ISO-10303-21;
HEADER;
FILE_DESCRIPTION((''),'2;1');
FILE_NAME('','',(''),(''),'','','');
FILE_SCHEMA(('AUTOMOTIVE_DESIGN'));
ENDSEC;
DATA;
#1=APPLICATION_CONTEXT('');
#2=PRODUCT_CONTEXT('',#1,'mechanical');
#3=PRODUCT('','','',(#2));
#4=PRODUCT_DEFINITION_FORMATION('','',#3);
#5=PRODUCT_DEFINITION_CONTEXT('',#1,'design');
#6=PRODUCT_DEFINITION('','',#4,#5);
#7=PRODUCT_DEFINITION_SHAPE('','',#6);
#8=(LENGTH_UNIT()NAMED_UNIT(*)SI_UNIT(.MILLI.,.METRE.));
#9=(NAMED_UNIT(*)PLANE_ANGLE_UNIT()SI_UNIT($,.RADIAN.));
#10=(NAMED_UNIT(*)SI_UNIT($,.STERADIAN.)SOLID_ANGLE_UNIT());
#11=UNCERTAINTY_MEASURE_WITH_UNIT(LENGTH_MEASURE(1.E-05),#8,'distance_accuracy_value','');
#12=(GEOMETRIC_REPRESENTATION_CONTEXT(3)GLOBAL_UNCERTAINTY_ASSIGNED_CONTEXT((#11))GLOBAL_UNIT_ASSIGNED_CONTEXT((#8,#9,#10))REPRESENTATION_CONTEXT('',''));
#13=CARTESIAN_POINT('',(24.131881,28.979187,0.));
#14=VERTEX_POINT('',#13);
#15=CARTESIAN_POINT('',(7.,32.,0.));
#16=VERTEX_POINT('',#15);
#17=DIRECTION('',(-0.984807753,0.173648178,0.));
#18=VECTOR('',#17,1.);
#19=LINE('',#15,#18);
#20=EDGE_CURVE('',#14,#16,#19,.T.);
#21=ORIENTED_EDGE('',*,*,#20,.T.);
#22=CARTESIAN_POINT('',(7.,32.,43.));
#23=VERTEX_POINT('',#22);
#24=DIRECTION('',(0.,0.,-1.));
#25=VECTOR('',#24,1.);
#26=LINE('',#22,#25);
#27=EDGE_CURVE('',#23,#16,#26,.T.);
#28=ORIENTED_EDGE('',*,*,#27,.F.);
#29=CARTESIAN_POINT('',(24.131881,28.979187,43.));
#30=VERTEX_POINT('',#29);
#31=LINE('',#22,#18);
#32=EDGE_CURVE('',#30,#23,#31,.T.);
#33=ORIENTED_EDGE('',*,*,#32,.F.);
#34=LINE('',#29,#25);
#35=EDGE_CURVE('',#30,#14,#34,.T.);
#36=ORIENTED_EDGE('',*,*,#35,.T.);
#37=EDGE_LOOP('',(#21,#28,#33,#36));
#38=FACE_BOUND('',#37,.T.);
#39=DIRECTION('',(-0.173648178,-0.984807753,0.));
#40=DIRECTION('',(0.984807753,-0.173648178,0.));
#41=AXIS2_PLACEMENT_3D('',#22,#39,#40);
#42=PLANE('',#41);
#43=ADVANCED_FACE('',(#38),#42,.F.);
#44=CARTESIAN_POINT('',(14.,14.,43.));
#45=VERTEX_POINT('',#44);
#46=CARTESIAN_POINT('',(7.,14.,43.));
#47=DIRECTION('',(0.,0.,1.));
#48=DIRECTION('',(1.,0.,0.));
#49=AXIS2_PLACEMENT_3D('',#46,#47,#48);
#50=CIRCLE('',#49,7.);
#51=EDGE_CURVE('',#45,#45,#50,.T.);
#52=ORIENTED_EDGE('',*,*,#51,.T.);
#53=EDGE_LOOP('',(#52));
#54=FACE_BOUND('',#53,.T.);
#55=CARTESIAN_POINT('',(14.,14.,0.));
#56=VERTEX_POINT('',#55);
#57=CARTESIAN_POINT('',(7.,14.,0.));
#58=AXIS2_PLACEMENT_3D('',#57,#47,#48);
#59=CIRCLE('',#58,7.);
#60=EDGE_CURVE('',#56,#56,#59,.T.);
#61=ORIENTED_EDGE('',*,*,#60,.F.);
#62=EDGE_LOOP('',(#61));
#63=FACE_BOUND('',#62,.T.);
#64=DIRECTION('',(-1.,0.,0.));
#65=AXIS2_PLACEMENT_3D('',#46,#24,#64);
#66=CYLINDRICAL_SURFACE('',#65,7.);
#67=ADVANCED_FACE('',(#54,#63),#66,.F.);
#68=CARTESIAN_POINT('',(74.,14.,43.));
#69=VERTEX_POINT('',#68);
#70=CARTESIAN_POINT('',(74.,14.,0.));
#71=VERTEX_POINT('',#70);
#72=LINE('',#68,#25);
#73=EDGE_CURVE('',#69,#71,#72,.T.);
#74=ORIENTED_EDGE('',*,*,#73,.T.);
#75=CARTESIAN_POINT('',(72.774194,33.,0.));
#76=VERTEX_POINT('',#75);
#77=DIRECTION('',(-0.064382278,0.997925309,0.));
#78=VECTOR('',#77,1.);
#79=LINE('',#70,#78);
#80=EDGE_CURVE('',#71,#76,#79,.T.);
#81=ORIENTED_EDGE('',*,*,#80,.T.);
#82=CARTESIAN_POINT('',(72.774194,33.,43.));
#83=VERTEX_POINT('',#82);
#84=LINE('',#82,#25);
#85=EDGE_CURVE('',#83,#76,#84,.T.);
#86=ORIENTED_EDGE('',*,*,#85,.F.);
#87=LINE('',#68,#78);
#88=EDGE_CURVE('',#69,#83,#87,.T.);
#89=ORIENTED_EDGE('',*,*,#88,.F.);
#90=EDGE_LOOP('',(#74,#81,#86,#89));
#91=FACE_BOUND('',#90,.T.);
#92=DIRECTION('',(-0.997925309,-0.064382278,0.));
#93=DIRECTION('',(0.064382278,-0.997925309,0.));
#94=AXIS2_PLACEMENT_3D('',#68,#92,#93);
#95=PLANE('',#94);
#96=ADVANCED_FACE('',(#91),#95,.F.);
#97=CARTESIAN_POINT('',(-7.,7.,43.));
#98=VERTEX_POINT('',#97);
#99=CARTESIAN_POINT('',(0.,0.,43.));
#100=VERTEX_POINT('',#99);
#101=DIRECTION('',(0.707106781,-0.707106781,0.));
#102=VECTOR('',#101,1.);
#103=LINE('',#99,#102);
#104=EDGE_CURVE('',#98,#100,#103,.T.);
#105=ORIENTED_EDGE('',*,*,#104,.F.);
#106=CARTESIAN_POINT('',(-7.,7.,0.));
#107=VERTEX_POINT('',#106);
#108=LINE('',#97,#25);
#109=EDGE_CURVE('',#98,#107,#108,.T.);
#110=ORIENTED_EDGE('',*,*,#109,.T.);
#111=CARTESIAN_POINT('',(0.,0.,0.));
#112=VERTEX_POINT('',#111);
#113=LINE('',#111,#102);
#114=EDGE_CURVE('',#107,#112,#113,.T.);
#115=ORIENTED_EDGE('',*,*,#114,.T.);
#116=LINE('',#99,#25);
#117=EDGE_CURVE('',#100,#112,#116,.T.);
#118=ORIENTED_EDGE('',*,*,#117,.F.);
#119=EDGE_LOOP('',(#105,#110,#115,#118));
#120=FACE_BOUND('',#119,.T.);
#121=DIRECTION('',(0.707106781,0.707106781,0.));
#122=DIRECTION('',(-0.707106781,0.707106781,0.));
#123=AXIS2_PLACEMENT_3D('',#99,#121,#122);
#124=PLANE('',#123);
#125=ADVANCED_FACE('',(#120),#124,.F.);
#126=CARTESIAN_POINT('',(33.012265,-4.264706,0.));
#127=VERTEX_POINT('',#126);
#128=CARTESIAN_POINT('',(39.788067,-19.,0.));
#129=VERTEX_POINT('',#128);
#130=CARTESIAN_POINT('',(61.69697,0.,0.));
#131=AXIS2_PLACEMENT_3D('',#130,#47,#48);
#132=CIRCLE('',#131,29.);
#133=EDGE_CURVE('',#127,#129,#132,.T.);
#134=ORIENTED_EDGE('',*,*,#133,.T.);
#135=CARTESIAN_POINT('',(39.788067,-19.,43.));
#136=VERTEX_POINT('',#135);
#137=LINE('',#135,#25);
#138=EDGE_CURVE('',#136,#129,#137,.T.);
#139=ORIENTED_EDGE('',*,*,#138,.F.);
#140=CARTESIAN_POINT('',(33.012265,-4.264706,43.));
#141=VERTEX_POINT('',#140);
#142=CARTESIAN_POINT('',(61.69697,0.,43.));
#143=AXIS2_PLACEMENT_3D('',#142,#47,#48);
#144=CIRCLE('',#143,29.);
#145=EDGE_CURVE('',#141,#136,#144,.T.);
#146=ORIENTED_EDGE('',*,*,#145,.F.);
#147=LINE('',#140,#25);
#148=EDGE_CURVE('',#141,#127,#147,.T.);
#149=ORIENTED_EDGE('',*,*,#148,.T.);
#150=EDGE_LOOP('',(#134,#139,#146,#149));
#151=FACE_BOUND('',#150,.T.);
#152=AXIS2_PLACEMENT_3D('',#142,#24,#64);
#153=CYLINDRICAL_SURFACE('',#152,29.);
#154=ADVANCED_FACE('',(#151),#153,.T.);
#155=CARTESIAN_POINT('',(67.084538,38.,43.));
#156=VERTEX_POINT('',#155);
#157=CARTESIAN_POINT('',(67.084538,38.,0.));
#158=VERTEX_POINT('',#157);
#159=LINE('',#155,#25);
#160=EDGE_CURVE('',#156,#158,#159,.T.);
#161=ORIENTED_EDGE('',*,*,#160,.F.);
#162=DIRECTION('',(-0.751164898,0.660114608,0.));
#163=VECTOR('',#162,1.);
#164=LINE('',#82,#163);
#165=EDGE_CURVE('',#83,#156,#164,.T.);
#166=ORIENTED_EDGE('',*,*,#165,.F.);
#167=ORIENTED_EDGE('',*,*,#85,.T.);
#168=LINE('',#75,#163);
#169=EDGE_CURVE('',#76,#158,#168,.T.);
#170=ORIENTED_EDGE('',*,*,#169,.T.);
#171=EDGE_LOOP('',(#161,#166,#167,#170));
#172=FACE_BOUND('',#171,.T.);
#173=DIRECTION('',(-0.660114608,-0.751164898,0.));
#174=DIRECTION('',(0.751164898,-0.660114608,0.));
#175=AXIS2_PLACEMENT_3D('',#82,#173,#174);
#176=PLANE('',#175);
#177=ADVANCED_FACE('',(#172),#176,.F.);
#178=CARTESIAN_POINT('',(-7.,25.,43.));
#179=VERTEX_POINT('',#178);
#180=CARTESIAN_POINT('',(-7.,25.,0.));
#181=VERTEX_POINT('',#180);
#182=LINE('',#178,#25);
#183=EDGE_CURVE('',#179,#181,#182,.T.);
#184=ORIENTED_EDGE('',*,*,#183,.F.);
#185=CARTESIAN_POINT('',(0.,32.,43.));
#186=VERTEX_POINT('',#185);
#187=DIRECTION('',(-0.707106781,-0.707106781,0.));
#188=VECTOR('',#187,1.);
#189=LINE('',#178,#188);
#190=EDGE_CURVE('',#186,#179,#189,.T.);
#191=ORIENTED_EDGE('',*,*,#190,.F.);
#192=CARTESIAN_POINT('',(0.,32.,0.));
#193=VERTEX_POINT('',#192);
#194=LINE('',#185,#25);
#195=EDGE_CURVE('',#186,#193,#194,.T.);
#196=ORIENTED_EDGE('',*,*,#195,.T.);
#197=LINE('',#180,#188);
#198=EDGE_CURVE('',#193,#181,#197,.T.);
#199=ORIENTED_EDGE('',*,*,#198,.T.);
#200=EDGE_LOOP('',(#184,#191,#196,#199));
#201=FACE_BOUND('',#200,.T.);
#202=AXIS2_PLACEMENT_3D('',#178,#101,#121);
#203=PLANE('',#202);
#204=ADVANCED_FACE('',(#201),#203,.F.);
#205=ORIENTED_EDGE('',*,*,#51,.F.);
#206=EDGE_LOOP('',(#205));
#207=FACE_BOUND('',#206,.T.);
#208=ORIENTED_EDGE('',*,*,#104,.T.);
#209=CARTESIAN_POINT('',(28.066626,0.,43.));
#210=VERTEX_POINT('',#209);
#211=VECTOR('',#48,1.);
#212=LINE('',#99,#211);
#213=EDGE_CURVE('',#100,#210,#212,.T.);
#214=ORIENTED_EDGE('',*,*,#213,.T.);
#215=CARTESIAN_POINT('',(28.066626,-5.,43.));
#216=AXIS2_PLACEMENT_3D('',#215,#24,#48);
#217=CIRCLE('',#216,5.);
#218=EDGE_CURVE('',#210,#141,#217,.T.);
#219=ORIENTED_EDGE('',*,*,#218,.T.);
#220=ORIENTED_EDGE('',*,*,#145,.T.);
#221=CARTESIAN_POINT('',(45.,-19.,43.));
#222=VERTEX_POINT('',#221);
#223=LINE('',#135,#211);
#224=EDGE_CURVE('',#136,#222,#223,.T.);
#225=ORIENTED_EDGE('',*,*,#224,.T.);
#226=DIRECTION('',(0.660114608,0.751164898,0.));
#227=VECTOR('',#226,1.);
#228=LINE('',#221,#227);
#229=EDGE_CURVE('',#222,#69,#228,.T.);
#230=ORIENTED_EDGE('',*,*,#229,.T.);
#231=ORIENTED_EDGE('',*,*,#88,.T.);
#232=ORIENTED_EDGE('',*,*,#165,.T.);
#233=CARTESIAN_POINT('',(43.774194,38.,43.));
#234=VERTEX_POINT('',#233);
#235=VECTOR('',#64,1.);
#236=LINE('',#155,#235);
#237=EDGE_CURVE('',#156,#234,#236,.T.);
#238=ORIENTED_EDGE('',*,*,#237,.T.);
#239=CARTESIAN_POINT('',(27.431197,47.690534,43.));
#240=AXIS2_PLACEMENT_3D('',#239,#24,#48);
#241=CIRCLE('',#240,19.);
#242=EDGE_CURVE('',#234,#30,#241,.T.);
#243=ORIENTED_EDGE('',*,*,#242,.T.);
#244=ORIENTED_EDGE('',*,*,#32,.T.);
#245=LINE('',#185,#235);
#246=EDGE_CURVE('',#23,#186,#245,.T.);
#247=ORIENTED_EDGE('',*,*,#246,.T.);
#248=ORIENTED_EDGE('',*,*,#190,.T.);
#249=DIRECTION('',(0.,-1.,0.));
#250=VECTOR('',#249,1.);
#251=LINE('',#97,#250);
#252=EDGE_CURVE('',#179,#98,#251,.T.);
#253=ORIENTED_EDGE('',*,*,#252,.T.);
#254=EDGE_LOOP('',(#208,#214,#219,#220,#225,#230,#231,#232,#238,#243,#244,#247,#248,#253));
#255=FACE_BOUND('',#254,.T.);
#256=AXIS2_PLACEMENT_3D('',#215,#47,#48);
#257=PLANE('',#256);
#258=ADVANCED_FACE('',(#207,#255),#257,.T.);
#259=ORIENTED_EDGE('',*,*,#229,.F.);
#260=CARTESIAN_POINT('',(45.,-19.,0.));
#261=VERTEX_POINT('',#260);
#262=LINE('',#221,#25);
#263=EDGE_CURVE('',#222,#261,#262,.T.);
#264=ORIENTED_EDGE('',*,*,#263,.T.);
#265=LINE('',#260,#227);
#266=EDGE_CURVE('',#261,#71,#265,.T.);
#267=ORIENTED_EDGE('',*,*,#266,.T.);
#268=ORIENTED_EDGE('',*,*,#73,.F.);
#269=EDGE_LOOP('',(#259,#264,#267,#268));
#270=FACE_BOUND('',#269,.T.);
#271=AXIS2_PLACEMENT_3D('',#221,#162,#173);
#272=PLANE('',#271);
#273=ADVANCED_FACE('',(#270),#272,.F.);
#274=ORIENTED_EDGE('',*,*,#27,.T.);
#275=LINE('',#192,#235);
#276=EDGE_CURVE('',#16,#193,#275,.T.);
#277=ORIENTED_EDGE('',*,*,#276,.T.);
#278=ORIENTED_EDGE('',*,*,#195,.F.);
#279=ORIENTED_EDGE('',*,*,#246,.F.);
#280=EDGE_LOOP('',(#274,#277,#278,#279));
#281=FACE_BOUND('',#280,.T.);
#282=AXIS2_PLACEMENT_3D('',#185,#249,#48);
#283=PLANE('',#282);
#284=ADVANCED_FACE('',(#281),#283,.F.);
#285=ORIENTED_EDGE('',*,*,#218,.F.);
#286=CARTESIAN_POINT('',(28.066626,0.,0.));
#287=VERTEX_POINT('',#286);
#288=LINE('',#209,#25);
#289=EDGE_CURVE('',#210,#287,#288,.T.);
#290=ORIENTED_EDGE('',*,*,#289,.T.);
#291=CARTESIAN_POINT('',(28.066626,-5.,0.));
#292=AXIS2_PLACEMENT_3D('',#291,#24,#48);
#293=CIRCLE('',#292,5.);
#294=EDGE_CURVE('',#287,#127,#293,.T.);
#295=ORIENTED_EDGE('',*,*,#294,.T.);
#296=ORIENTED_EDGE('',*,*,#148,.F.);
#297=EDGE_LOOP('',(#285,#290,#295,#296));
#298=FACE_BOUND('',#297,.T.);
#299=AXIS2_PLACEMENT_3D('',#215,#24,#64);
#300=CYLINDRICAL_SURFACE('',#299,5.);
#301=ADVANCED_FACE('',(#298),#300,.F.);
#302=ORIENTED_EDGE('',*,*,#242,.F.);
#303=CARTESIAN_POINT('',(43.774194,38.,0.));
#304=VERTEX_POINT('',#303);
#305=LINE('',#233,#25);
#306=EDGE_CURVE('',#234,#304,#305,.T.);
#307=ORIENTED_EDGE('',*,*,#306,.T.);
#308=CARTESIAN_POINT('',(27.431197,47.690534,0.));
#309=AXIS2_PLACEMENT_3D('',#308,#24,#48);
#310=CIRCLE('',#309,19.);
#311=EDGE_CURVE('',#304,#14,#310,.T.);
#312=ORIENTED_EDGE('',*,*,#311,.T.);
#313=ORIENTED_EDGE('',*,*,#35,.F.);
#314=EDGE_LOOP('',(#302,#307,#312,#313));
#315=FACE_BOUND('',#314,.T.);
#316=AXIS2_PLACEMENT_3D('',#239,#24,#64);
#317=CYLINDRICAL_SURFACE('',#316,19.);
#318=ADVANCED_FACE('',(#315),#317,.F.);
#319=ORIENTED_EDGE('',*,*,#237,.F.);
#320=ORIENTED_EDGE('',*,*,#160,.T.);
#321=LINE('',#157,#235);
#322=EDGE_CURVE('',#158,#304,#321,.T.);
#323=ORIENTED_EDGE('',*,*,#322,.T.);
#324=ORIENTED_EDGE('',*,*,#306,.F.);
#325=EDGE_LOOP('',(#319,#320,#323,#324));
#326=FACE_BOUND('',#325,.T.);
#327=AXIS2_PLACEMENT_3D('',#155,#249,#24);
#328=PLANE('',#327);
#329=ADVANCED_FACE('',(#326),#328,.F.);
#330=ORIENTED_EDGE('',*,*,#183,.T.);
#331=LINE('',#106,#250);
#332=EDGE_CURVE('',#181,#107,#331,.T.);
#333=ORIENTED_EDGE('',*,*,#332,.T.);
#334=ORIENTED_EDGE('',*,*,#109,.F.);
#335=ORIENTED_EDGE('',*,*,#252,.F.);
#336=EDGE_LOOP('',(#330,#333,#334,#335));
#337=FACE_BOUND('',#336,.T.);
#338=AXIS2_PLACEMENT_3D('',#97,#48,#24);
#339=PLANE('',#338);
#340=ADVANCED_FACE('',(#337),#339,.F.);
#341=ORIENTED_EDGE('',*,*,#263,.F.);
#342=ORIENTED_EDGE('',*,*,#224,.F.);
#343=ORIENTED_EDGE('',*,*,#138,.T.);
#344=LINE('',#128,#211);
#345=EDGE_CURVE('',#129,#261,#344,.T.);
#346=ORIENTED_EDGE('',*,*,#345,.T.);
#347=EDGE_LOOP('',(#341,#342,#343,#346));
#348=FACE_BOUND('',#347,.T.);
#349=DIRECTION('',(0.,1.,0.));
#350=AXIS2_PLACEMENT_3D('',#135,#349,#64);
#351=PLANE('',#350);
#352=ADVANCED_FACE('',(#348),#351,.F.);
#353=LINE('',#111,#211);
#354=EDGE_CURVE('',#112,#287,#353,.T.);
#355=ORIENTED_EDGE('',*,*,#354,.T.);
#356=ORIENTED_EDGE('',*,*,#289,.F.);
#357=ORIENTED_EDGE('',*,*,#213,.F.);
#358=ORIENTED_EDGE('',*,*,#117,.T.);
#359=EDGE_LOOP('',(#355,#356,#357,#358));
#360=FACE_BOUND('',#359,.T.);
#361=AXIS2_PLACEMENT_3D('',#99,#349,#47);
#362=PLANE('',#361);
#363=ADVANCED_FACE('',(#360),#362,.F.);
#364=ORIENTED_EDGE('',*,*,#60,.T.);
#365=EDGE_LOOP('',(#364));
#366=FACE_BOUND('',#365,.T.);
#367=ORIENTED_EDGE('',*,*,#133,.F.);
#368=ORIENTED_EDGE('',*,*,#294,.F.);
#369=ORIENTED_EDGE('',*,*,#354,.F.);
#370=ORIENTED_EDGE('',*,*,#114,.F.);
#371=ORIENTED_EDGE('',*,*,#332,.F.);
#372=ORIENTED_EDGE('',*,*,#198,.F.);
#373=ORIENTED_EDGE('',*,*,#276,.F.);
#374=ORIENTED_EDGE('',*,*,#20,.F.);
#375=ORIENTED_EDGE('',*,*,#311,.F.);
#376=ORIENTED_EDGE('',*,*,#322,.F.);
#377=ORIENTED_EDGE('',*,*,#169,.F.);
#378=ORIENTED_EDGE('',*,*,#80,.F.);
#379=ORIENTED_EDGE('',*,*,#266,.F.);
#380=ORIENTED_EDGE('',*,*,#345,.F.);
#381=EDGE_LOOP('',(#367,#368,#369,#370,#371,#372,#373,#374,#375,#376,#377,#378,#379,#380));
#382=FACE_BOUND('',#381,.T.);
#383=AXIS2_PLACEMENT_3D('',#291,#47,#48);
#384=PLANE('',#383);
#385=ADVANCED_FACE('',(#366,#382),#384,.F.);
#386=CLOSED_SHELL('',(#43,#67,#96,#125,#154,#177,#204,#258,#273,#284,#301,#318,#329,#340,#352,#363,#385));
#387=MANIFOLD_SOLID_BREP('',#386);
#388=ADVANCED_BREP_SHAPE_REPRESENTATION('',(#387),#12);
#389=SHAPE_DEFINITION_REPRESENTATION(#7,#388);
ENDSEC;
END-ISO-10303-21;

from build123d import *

# Parameters (mm, degrees)
SKETCH1_R           = 7
BOSS_EXTRUDE1_DEPTH = 43


with BuildPart() as part:
    # Sketch1 → Boss-Extrude1 (new body)
    with BuildSketch(Plane.XY):
        with BuildLine():
            Line((0, 0), (-7, 7))
            Line((-7, 7), (-7, 25))
            Line((-7, 25), (0, 32))
            Line((0, 32), (7, 32))
            Line((7, 32), (24.131881406, 28.979187078))
            ThreePointArc((24.131881406, 28.979187078), (35.36077259, 30.424329605), (43.774193548, 38))
            Line((43.774193548, 38), (67.084538376, 38))
            Line((67.084538376, 38), (72.774193548, 33))
            Line((72.774193548, 33), (74, 14))
            Line((74, 14), (45, -19))
            Line((45, -19), (39.788067397, -19))
            ThreePointArc((39.788067397, -19), (35.3490952, -12.115672061), (33.012264997, -4.264705882))
            ThreePointArc((33.012264997, -4.264705882), (31.331862036, -1.213413768), (28.066626255, 0))
            Line((28.066626255, 0), (0, 0))
        make_face()
        with Locations((7, 14)):
            Circle(SKETCH1_R, mode=Mode.SUBTRACT)
    extrude(amount=BOSS_EXTRUDE1_DEPTH)


solid = part.part
